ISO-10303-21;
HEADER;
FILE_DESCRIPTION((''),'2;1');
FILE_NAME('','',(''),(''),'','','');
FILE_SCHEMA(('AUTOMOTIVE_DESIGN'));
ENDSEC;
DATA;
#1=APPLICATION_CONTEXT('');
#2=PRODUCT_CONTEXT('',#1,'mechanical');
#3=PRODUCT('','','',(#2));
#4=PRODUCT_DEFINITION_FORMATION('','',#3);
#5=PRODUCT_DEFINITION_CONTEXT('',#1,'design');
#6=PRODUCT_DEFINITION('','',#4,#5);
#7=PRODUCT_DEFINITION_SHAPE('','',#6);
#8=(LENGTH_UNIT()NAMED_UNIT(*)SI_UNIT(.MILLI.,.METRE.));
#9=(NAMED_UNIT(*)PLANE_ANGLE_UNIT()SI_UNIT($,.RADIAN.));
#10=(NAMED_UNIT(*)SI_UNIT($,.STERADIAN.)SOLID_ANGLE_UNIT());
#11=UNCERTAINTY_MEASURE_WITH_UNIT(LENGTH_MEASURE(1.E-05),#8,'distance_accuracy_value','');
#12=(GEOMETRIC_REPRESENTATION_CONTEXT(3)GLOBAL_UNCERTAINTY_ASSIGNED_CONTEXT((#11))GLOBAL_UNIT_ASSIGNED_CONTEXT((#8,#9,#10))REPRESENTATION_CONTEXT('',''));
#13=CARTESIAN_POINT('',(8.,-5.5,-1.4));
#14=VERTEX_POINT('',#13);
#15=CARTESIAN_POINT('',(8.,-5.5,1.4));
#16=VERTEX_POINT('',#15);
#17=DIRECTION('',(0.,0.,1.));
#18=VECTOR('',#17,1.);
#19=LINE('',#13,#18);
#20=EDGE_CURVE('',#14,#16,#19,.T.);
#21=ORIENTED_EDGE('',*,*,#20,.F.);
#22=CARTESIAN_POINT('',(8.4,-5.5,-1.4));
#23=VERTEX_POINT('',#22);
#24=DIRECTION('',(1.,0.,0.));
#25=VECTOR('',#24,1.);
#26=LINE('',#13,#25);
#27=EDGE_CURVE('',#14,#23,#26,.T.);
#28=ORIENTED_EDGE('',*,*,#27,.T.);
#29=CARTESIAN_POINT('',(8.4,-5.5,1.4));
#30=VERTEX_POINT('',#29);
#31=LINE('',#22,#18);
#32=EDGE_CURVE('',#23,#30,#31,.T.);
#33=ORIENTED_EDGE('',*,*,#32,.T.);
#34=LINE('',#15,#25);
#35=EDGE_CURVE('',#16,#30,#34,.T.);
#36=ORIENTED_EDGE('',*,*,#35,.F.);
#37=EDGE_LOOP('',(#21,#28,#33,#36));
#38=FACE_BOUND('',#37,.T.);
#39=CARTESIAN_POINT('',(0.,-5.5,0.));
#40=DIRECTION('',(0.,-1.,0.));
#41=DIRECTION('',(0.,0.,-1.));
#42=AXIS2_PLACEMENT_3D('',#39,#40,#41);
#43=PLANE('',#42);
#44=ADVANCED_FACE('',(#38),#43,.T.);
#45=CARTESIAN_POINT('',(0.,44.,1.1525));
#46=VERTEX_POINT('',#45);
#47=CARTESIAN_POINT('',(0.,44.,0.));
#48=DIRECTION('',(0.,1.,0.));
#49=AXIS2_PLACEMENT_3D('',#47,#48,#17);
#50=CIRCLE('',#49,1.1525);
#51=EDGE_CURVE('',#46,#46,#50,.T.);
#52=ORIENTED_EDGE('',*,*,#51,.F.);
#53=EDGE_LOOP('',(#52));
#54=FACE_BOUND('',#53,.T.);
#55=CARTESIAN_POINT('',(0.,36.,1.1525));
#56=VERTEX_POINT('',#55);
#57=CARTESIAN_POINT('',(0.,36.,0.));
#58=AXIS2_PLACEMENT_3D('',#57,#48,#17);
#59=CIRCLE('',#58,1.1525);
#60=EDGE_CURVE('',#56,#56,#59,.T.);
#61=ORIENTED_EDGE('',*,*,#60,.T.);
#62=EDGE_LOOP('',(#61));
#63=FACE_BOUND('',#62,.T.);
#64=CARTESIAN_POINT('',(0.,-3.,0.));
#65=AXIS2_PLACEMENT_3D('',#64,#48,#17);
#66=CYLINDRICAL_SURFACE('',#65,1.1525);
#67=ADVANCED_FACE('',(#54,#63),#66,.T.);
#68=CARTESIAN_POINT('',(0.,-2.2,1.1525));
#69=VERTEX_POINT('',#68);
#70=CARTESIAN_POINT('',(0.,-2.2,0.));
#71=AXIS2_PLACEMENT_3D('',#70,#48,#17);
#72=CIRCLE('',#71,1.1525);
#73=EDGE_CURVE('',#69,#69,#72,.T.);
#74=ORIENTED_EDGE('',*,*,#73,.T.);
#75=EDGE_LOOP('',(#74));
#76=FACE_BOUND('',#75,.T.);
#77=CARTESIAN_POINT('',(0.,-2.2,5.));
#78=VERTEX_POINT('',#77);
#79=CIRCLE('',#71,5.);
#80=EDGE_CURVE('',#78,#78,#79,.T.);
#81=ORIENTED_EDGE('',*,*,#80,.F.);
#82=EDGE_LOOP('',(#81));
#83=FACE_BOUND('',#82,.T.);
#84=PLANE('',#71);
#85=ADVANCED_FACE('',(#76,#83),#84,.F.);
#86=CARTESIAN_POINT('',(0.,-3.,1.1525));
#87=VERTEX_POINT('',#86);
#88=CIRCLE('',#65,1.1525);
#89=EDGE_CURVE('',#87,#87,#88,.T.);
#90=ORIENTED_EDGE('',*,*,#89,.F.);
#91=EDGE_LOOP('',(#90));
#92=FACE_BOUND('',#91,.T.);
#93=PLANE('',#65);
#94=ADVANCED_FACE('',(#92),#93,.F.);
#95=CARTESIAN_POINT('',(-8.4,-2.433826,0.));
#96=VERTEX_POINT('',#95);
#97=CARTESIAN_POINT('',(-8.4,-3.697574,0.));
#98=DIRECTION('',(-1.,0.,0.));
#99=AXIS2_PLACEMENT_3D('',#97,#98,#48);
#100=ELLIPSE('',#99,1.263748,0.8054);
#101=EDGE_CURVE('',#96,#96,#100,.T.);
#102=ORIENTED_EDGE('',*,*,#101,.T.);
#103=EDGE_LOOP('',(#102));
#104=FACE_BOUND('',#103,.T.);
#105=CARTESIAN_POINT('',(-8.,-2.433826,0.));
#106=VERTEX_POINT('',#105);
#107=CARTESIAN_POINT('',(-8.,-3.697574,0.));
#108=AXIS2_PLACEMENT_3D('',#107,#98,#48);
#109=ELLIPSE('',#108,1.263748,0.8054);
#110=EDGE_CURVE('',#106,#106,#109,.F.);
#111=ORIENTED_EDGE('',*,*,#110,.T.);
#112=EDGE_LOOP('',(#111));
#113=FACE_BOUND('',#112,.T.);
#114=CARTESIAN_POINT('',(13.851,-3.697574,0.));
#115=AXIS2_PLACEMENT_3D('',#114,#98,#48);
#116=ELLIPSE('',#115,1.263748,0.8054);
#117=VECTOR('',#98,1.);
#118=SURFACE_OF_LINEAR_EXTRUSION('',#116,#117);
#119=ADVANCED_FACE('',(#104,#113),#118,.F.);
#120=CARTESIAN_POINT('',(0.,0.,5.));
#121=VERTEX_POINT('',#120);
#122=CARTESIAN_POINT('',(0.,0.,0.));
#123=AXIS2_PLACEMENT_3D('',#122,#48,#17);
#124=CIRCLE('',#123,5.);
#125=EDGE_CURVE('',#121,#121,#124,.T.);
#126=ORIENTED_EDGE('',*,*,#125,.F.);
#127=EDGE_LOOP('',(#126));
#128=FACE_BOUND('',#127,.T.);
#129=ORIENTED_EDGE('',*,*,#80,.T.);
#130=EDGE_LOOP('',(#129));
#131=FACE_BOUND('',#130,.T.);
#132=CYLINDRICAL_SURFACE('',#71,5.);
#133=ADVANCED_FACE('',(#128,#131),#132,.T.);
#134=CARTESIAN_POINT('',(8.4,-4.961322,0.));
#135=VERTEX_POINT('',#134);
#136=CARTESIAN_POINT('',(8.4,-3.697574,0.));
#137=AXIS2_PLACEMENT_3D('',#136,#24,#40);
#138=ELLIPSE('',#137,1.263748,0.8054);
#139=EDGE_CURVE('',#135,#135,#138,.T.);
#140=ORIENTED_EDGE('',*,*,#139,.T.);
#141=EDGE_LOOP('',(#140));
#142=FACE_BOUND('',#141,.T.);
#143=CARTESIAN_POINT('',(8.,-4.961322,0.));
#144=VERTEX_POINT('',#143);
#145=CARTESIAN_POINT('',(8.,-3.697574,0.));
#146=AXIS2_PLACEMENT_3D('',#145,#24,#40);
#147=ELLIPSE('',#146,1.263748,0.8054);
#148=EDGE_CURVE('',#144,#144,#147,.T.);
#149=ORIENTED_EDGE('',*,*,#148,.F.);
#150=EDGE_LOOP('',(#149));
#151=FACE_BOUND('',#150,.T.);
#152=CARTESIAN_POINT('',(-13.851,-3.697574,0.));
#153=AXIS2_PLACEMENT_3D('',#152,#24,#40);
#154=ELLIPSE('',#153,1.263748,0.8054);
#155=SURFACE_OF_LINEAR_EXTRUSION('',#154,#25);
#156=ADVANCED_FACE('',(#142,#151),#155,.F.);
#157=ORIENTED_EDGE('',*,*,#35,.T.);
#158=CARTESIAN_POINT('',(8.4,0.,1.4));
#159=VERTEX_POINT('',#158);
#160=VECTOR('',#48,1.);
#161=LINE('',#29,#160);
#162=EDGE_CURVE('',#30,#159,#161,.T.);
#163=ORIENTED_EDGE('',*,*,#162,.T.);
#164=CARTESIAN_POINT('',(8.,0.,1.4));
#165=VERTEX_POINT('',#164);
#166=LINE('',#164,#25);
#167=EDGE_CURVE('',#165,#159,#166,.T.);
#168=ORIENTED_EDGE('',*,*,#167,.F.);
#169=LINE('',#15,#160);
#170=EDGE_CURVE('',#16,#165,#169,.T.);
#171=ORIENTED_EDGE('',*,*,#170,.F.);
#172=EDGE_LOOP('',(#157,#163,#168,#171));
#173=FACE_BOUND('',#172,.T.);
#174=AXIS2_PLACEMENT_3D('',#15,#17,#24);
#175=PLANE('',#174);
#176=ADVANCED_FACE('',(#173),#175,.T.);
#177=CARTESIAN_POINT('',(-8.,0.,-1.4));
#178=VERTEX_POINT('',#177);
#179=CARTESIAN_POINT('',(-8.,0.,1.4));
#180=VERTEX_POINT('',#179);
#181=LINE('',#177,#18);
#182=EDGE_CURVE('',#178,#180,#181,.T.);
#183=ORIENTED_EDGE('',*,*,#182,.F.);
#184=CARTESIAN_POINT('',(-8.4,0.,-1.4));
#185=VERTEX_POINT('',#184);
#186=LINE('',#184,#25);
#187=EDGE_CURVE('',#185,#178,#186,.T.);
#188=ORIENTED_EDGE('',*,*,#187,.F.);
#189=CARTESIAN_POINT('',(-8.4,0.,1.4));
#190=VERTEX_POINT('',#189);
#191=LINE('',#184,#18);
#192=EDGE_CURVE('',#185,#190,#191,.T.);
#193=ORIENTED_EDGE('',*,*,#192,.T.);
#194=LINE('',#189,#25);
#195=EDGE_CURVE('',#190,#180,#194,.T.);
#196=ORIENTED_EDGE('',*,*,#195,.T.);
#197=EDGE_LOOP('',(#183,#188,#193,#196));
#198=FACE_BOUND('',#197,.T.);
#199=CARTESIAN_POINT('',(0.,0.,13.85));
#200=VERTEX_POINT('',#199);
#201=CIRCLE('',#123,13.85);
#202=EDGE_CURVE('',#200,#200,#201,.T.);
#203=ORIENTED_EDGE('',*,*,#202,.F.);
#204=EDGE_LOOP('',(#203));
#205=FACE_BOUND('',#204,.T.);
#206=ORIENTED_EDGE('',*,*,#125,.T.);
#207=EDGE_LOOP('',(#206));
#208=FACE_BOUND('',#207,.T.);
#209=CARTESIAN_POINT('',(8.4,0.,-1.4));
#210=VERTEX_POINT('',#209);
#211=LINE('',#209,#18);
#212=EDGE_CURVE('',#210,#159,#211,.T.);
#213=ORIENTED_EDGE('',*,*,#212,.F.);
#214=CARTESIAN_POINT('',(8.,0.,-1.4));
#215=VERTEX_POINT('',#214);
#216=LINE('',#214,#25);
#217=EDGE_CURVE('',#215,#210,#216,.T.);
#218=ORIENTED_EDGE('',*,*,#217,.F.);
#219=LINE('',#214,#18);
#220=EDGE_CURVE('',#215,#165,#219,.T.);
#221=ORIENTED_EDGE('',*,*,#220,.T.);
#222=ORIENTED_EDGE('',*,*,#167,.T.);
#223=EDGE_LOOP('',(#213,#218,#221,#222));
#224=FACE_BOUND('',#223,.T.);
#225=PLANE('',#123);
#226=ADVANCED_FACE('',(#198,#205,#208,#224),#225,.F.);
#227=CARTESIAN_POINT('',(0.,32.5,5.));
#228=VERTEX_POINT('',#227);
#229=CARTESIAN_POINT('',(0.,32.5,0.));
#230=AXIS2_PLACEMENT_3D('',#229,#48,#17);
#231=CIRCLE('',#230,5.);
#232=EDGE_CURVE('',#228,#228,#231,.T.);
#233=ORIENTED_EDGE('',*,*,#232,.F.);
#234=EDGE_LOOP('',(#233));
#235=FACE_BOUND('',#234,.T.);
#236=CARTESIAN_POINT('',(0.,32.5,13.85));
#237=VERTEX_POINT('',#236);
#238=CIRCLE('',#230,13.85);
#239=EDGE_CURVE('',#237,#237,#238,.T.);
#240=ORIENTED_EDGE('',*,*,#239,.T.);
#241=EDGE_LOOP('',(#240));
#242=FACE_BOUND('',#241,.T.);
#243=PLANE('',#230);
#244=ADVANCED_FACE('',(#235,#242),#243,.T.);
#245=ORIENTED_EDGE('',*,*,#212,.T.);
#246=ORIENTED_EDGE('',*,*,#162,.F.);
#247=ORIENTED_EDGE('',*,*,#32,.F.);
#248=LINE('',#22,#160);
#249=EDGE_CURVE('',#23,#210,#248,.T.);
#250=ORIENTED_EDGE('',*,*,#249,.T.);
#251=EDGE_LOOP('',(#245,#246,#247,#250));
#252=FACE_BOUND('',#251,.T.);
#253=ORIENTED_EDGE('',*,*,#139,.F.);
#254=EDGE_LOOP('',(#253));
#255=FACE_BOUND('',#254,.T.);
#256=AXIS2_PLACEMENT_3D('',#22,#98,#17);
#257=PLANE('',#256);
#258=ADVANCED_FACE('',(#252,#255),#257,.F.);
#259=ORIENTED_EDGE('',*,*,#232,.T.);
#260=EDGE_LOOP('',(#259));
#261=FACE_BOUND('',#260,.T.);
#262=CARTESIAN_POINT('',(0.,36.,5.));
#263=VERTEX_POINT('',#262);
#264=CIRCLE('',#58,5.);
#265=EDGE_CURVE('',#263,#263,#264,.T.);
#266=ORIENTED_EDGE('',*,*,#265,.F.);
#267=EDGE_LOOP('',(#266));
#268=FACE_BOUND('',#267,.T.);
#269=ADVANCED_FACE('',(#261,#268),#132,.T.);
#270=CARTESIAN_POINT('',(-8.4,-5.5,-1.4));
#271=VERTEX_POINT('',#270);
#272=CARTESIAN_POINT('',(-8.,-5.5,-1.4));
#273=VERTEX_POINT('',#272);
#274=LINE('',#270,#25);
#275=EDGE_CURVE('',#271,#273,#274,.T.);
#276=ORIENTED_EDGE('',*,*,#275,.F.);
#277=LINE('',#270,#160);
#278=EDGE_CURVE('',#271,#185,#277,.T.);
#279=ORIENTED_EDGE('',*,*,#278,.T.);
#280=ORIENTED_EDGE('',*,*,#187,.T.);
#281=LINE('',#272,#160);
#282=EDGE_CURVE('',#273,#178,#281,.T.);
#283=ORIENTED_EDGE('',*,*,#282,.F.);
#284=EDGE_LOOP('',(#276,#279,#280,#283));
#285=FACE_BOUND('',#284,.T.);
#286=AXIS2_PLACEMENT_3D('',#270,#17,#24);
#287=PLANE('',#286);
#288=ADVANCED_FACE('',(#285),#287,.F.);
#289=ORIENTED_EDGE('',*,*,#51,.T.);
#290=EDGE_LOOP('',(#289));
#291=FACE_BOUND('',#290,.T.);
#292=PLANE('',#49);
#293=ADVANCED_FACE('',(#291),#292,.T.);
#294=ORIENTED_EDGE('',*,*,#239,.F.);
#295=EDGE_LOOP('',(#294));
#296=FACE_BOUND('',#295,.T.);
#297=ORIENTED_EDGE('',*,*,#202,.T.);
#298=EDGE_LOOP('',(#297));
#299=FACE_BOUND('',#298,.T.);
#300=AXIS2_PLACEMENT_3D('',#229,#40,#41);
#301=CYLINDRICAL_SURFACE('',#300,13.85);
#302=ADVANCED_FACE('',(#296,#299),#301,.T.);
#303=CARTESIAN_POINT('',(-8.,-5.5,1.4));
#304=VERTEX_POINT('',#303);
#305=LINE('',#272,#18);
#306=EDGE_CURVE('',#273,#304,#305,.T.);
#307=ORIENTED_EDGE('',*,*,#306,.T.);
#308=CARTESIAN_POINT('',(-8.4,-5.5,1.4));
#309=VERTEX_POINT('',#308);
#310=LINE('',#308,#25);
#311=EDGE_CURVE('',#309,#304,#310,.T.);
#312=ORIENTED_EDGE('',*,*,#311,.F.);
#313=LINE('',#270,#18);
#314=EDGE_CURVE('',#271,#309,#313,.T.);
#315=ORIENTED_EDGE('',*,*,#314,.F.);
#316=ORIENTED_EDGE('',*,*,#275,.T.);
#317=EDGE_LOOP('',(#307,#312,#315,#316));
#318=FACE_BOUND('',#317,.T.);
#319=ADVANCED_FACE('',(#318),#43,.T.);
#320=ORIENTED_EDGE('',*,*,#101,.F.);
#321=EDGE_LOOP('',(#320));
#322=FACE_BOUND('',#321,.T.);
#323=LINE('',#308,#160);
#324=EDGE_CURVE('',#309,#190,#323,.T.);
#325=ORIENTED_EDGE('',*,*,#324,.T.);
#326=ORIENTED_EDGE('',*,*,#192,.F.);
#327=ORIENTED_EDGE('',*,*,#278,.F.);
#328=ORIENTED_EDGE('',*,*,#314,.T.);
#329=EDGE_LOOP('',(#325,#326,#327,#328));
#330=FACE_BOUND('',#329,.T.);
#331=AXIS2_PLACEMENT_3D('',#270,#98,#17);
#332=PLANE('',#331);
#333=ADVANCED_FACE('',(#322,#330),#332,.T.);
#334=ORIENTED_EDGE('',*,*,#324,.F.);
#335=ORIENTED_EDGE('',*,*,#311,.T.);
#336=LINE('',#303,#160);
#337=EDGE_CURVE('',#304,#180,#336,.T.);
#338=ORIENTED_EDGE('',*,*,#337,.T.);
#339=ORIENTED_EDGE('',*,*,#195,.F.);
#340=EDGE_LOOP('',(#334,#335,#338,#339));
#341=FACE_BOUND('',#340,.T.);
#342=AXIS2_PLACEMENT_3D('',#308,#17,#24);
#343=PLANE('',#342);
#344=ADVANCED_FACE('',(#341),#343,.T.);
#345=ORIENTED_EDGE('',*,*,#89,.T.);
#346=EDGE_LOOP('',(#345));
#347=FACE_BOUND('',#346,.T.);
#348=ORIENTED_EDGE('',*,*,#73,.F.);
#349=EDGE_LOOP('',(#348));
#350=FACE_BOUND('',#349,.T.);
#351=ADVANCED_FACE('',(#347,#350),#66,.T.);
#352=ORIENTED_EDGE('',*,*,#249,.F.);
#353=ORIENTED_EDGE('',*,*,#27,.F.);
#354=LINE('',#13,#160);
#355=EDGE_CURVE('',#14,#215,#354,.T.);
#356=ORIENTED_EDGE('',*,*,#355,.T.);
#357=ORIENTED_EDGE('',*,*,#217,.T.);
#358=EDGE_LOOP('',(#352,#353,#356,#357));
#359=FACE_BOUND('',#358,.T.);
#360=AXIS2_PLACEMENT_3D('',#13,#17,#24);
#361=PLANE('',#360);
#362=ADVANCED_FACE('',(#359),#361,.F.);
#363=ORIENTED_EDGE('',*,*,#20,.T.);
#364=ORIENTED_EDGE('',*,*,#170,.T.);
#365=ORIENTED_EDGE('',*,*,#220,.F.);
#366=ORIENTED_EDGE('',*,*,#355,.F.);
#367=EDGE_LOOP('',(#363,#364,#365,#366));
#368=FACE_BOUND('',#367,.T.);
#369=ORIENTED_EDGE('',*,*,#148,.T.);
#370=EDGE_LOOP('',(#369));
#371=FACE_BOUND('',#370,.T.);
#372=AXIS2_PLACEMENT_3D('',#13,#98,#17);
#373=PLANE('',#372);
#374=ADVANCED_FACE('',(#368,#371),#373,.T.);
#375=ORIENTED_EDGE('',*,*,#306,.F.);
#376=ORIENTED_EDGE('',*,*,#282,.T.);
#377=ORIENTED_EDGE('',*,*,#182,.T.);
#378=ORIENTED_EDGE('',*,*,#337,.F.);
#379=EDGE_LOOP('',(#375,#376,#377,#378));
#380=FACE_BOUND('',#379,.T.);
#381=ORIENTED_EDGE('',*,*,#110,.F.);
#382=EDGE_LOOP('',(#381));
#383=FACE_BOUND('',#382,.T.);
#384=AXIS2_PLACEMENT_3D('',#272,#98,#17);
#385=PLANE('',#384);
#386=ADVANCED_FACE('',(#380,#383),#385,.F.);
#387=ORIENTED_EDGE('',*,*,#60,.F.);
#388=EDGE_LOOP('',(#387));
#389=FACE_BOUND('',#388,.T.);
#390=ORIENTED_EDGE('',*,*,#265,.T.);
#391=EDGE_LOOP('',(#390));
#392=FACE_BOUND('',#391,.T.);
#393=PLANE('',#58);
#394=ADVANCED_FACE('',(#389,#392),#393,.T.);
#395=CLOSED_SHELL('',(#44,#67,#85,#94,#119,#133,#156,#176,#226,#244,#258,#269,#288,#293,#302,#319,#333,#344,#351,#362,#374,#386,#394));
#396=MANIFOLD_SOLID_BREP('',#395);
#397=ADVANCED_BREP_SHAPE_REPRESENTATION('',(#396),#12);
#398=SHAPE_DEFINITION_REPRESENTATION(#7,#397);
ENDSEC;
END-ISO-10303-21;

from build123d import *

# Parameters (mm, degrees)
ESQUISSE1_R             = 13.85
BOSS_EXTRU_1_DEPTH      = 32.5
BOSS_EXTRU_2_DEPTH      = 36
BOSS_EXTRU_2_DEPTH_BACK = 2.2
ESQUISSE1_3_R           = 5
BOSS_EXTRU_3_DEPTH      = 44
BOSS_EXTRU_3_DEPTH_BACK = 3
ESQUISSE1_4_R           = 1.1525
ESQUISSE1_5_W           = 0.4
ESQUISSE1_5_H           = 2.8
BOSS_EXTRU_4_DEPTH      = 5.5
ENL_V_MAT_EXTRU_2_REACH = 53.214
ESQUISSE2_RX            = 1.263747853
ESQUISSE2_RY            = 0.805399752
ENL_V_MAT_EXTRU_3_REACH = 53.214
ESQUISSE3_RX            = 1.263747853
ESQUISSE3_RY            = 0.805399752


with BuildPart() as part:
    # Esquisse1 → Boss.-Extru.1 (new body)
    with BuildSketch(Plane(origin=(0, 0, 0), x_dir=(1, 0, 0), z_dir=(0, 1, 0))):
        Circle(ESQUISSE1_R)
    extrude(amount=BOSS_EXTRU_1_DEPTH)

    # Esquisse1<3> → Boss.-Extru.2 (add, two sides: drawn at the far end of the back side and taken through both)
    with BuildSketch(Plane(origin=(0, 0, 0), x_dir=(1, 0, 0), z_dir=(0, 1, 0)).offset(-BOSS_EXTRU_2_DEPTH_BACK)):
        Circle(ESQUISSE1_3_R)
    extrude(amount=BOSS_EXTRU_2_DEPTH + BOSS_EXTRU_2_DEPTH_BACK)

    # Esquisse1<4> → Boss.-Extru.3 (add, two sides: drawn at the far end of the back side and taken through both)
    with BuildSketch(Plane(origin=(0, 0, 0), x_dir=(1, 0, 0), z_dir=(0, 1, 0)).offset(-BOSS_EXTRU_3_DEPTH_BACK)):
        Circle(ESQUISSE1_4_R)
    extrude(amount=BOSS_EXTRU_3_DEPTH + BOSS_EXTRU_3_DEPTH_BACK)

    # Esquisse1<5> → Boss.-Extru.4 (add)
    with BuildSketch(Plane(origin=(0, 0, 0), x_dir=(1, 0, 0), z_dir=(0, 1, 0))):
        with Locations((-8.2, 0)):
            Rectangle(ESQUISSE1_5_W, ESQUISSE1_5_H)
        with Locations((8.2, 0)):
            Rectangle(ESQUISSE1_5_W, ESQUISSE1_5_H)
    extrude(amount=-BOSS_EXTRU_4_DEPTH)

    # Esquisse2 → Enlèv. mat.-Extru.2 (cut, up to next)
    with BuildSketch(Plane.ZY.offset(8.4), mode=Mode.PRIVATE) as enl_v_mat_extru_2_sk1:
        with Locations(Location((0, -3.697573844), (0, 0, 90))):
            Ellipse(ESQUISSE2_RX, ESQUISSE2_RY)
    enl_v_mat_extru_2_tool1 = extrude(enl_v_mat_extru_2_sk1.sketch, amount=-ENL_V_MAT_EXTRU_2_REACH, mode=Mode.PRIVATE) & part.part
    add(enl_v_mat_extru_2_tool1.solids().sort_by_distance((-8.4, -3.697574, 0))[0], mode=Mode.SUBTRACT)

    # Esquisse3 → Enlèv. mat.-Extru.3 (cut, up to next)
    with BuildSketch(Plane(origin=(8.4, 0, 0), x_dir=(0, 0, -1), z_dir=(1, 0, 0)), mode=Mode.PRIVATE) as enl_v_mat_extru_3_sk1:
        with Locations(Location((0, -3.697573844), (0, 0, -90))):
            Ellipse(ESQUISSE3_RX, ESQUISSE3_RY)
    enl_v_mat_extru_3_tool1 = extrude(enl_v_mat_extru_3_sk1.sketch, amount=-ENL_V_MAT_EXTRU_3_REACH, mode=Mode.PRIVATE) & part.part
    add(enl_v_mat_extru_3_tool1.solids().sort_by_distance((8.4, -3.697574, 0))[0], mode=Mode.SUBTRACT)


solid = part.part
